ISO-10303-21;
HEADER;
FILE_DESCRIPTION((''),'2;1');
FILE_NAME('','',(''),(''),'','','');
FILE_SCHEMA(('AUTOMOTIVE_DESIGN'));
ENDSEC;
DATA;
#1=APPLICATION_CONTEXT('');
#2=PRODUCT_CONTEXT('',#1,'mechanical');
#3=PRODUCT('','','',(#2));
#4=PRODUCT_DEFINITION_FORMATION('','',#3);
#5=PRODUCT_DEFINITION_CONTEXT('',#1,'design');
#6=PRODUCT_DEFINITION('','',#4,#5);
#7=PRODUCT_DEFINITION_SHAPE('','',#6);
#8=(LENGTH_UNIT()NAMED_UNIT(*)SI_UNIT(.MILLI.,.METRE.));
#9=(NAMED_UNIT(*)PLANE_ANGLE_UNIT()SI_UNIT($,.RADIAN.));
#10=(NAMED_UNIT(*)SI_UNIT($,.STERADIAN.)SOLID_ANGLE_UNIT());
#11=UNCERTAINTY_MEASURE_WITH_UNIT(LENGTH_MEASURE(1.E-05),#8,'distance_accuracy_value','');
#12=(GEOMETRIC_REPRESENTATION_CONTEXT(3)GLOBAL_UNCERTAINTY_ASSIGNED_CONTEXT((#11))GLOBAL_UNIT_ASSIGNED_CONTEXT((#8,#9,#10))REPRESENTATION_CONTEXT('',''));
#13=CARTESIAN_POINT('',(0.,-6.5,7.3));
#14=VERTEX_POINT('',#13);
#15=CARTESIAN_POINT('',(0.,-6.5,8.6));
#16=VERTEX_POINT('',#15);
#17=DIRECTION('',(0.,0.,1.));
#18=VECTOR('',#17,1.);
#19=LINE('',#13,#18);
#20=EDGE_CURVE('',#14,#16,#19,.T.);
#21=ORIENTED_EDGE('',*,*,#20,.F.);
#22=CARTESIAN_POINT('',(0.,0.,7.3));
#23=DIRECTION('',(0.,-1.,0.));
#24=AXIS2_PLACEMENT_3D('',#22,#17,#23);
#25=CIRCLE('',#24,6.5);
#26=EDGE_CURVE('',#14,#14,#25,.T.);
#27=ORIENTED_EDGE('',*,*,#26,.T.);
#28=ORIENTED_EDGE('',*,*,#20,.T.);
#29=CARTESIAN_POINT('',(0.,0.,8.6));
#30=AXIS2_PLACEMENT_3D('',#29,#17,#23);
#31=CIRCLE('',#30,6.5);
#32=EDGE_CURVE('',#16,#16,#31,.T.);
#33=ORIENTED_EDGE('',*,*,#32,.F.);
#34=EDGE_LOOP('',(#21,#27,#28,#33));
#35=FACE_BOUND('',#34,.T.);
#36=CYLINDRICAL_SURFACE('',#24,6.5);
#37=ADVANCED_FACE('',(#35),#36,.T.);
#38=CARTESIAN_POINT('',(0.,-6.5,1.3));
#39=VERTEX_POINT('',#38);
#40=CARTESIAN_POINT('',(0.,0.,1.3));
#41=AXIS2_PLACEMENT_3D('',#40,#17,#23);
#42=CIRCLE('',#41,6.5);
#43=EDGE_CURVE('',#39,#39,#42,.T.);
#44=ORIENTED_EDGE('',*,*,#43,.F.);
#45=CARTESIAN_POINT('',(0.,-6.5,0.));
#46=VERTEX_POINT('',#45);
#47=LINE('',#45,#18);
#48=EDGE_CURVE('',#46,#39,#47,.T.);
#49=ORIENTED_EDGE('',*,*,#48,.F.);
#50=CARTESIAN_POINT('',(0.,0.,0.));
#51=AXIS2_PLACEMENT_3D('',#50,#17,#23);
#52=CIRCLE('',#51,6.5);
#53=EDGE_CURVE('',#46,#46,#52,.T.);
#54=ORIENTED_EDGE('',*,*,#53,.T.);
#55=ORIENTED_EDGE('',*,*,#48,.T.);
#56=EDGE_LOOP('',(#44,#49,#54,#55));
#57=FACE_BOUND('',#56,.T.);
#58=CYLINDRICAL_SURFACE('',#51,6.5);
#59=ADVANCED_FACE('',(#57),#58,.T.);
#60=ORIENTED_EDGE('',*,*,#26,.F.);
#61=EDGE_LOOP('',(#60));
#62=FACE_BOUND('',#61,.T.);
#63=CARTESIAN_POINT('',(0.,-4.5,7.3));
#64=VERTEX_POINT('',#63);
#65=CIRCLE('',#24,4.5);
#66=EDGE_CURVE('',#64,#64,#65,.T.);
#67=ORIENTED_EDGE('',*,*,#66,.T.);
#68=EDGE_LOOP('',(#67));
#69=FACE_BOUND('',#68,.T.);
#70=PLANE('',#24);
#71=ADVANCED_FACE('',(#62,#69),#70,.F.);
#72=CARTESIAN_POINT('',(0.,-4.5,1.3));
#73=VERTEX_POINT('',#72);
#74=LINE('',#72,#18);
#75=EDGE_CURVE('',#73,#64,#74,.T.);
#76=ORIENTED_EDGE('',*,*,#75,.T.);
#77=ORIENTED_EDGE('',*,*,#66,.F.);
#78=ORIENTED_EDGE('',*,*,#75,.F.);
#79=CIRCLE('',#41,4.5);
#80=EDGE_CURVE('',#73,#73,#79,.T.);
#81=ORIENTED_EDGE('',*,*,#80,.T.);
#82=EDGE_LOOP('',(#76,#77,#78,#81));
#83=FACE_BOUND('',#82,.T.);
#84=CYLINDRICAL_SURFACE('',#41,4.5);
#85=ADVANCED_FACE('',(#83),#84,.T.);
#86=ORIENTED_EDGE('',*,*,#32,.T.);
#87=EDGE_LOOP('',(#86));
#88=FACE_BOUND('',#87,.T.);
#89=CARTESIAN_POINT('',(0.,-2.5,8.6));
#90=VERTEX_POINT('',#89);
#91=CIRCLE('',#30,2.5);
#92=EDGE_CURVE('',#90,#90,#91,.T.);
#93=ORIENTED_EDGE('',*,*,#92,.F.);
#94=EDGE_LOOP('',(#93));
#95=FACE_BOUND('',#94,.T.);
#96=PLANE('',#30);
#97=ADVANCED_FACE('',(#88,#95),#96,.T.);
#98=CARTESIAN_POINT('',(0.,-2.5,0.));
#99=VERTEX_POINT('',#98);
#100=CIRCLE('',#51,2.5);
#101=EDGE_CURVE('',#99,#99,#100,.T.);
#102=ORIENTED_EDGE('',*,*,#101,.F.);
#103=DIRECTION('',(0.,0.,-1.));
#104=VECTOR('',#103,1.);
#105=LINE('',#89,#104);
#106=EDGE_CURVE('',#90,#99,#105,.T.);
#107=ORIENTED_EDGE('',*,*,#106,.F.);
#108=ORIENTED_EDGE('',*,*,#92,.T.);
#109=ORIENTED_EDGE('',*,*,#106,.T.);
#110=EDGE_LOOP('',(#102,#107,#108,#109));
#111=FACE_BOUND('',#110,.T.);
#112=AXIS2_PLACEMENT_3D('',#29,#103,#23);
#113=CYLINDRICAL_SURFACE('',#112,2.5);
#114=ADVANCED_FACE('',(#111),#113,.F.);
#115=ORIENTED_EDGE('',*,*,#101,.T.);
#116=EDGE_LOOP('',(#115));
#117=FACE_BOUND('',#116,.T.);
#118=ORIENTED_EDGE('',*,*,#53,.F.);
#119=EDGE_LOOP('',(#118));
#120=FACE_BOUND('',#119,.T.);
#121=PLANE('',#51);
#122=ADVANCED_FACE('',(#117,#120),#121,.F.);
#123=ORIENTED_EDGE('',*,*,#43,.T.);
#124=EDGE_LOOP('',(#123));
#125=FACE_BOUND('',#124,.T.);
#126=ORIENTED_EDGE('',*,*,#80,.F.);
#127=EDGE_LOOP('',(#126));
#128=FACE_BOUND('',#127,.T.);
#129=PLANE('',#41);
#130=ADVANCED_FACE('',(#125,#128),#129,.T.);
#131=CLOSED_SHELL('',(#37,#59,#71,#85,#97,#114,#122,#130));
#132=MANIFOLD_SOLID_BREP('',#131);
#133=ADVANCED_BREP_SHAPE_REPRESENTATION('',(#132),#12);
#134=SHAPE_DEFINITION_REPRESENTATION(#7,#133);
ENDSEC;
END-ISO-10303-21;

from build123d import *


with BuildPart() as part:
    # Sketch → Revolution (revolve)
    with BuildSketch(Plane.YZ):
        Polygon((-6.5, 8.6), (-2.5, 8.6), (-2.5, 0), (-6.5, 0), (-6.5, 1.3), (-4.5, 1.3), (-4.5, 7.3), (-6.5, 7.3), align=None)
    revolve(axis=Axis((0, 0, 0), (0, 0, 1)))


solid = part.part
